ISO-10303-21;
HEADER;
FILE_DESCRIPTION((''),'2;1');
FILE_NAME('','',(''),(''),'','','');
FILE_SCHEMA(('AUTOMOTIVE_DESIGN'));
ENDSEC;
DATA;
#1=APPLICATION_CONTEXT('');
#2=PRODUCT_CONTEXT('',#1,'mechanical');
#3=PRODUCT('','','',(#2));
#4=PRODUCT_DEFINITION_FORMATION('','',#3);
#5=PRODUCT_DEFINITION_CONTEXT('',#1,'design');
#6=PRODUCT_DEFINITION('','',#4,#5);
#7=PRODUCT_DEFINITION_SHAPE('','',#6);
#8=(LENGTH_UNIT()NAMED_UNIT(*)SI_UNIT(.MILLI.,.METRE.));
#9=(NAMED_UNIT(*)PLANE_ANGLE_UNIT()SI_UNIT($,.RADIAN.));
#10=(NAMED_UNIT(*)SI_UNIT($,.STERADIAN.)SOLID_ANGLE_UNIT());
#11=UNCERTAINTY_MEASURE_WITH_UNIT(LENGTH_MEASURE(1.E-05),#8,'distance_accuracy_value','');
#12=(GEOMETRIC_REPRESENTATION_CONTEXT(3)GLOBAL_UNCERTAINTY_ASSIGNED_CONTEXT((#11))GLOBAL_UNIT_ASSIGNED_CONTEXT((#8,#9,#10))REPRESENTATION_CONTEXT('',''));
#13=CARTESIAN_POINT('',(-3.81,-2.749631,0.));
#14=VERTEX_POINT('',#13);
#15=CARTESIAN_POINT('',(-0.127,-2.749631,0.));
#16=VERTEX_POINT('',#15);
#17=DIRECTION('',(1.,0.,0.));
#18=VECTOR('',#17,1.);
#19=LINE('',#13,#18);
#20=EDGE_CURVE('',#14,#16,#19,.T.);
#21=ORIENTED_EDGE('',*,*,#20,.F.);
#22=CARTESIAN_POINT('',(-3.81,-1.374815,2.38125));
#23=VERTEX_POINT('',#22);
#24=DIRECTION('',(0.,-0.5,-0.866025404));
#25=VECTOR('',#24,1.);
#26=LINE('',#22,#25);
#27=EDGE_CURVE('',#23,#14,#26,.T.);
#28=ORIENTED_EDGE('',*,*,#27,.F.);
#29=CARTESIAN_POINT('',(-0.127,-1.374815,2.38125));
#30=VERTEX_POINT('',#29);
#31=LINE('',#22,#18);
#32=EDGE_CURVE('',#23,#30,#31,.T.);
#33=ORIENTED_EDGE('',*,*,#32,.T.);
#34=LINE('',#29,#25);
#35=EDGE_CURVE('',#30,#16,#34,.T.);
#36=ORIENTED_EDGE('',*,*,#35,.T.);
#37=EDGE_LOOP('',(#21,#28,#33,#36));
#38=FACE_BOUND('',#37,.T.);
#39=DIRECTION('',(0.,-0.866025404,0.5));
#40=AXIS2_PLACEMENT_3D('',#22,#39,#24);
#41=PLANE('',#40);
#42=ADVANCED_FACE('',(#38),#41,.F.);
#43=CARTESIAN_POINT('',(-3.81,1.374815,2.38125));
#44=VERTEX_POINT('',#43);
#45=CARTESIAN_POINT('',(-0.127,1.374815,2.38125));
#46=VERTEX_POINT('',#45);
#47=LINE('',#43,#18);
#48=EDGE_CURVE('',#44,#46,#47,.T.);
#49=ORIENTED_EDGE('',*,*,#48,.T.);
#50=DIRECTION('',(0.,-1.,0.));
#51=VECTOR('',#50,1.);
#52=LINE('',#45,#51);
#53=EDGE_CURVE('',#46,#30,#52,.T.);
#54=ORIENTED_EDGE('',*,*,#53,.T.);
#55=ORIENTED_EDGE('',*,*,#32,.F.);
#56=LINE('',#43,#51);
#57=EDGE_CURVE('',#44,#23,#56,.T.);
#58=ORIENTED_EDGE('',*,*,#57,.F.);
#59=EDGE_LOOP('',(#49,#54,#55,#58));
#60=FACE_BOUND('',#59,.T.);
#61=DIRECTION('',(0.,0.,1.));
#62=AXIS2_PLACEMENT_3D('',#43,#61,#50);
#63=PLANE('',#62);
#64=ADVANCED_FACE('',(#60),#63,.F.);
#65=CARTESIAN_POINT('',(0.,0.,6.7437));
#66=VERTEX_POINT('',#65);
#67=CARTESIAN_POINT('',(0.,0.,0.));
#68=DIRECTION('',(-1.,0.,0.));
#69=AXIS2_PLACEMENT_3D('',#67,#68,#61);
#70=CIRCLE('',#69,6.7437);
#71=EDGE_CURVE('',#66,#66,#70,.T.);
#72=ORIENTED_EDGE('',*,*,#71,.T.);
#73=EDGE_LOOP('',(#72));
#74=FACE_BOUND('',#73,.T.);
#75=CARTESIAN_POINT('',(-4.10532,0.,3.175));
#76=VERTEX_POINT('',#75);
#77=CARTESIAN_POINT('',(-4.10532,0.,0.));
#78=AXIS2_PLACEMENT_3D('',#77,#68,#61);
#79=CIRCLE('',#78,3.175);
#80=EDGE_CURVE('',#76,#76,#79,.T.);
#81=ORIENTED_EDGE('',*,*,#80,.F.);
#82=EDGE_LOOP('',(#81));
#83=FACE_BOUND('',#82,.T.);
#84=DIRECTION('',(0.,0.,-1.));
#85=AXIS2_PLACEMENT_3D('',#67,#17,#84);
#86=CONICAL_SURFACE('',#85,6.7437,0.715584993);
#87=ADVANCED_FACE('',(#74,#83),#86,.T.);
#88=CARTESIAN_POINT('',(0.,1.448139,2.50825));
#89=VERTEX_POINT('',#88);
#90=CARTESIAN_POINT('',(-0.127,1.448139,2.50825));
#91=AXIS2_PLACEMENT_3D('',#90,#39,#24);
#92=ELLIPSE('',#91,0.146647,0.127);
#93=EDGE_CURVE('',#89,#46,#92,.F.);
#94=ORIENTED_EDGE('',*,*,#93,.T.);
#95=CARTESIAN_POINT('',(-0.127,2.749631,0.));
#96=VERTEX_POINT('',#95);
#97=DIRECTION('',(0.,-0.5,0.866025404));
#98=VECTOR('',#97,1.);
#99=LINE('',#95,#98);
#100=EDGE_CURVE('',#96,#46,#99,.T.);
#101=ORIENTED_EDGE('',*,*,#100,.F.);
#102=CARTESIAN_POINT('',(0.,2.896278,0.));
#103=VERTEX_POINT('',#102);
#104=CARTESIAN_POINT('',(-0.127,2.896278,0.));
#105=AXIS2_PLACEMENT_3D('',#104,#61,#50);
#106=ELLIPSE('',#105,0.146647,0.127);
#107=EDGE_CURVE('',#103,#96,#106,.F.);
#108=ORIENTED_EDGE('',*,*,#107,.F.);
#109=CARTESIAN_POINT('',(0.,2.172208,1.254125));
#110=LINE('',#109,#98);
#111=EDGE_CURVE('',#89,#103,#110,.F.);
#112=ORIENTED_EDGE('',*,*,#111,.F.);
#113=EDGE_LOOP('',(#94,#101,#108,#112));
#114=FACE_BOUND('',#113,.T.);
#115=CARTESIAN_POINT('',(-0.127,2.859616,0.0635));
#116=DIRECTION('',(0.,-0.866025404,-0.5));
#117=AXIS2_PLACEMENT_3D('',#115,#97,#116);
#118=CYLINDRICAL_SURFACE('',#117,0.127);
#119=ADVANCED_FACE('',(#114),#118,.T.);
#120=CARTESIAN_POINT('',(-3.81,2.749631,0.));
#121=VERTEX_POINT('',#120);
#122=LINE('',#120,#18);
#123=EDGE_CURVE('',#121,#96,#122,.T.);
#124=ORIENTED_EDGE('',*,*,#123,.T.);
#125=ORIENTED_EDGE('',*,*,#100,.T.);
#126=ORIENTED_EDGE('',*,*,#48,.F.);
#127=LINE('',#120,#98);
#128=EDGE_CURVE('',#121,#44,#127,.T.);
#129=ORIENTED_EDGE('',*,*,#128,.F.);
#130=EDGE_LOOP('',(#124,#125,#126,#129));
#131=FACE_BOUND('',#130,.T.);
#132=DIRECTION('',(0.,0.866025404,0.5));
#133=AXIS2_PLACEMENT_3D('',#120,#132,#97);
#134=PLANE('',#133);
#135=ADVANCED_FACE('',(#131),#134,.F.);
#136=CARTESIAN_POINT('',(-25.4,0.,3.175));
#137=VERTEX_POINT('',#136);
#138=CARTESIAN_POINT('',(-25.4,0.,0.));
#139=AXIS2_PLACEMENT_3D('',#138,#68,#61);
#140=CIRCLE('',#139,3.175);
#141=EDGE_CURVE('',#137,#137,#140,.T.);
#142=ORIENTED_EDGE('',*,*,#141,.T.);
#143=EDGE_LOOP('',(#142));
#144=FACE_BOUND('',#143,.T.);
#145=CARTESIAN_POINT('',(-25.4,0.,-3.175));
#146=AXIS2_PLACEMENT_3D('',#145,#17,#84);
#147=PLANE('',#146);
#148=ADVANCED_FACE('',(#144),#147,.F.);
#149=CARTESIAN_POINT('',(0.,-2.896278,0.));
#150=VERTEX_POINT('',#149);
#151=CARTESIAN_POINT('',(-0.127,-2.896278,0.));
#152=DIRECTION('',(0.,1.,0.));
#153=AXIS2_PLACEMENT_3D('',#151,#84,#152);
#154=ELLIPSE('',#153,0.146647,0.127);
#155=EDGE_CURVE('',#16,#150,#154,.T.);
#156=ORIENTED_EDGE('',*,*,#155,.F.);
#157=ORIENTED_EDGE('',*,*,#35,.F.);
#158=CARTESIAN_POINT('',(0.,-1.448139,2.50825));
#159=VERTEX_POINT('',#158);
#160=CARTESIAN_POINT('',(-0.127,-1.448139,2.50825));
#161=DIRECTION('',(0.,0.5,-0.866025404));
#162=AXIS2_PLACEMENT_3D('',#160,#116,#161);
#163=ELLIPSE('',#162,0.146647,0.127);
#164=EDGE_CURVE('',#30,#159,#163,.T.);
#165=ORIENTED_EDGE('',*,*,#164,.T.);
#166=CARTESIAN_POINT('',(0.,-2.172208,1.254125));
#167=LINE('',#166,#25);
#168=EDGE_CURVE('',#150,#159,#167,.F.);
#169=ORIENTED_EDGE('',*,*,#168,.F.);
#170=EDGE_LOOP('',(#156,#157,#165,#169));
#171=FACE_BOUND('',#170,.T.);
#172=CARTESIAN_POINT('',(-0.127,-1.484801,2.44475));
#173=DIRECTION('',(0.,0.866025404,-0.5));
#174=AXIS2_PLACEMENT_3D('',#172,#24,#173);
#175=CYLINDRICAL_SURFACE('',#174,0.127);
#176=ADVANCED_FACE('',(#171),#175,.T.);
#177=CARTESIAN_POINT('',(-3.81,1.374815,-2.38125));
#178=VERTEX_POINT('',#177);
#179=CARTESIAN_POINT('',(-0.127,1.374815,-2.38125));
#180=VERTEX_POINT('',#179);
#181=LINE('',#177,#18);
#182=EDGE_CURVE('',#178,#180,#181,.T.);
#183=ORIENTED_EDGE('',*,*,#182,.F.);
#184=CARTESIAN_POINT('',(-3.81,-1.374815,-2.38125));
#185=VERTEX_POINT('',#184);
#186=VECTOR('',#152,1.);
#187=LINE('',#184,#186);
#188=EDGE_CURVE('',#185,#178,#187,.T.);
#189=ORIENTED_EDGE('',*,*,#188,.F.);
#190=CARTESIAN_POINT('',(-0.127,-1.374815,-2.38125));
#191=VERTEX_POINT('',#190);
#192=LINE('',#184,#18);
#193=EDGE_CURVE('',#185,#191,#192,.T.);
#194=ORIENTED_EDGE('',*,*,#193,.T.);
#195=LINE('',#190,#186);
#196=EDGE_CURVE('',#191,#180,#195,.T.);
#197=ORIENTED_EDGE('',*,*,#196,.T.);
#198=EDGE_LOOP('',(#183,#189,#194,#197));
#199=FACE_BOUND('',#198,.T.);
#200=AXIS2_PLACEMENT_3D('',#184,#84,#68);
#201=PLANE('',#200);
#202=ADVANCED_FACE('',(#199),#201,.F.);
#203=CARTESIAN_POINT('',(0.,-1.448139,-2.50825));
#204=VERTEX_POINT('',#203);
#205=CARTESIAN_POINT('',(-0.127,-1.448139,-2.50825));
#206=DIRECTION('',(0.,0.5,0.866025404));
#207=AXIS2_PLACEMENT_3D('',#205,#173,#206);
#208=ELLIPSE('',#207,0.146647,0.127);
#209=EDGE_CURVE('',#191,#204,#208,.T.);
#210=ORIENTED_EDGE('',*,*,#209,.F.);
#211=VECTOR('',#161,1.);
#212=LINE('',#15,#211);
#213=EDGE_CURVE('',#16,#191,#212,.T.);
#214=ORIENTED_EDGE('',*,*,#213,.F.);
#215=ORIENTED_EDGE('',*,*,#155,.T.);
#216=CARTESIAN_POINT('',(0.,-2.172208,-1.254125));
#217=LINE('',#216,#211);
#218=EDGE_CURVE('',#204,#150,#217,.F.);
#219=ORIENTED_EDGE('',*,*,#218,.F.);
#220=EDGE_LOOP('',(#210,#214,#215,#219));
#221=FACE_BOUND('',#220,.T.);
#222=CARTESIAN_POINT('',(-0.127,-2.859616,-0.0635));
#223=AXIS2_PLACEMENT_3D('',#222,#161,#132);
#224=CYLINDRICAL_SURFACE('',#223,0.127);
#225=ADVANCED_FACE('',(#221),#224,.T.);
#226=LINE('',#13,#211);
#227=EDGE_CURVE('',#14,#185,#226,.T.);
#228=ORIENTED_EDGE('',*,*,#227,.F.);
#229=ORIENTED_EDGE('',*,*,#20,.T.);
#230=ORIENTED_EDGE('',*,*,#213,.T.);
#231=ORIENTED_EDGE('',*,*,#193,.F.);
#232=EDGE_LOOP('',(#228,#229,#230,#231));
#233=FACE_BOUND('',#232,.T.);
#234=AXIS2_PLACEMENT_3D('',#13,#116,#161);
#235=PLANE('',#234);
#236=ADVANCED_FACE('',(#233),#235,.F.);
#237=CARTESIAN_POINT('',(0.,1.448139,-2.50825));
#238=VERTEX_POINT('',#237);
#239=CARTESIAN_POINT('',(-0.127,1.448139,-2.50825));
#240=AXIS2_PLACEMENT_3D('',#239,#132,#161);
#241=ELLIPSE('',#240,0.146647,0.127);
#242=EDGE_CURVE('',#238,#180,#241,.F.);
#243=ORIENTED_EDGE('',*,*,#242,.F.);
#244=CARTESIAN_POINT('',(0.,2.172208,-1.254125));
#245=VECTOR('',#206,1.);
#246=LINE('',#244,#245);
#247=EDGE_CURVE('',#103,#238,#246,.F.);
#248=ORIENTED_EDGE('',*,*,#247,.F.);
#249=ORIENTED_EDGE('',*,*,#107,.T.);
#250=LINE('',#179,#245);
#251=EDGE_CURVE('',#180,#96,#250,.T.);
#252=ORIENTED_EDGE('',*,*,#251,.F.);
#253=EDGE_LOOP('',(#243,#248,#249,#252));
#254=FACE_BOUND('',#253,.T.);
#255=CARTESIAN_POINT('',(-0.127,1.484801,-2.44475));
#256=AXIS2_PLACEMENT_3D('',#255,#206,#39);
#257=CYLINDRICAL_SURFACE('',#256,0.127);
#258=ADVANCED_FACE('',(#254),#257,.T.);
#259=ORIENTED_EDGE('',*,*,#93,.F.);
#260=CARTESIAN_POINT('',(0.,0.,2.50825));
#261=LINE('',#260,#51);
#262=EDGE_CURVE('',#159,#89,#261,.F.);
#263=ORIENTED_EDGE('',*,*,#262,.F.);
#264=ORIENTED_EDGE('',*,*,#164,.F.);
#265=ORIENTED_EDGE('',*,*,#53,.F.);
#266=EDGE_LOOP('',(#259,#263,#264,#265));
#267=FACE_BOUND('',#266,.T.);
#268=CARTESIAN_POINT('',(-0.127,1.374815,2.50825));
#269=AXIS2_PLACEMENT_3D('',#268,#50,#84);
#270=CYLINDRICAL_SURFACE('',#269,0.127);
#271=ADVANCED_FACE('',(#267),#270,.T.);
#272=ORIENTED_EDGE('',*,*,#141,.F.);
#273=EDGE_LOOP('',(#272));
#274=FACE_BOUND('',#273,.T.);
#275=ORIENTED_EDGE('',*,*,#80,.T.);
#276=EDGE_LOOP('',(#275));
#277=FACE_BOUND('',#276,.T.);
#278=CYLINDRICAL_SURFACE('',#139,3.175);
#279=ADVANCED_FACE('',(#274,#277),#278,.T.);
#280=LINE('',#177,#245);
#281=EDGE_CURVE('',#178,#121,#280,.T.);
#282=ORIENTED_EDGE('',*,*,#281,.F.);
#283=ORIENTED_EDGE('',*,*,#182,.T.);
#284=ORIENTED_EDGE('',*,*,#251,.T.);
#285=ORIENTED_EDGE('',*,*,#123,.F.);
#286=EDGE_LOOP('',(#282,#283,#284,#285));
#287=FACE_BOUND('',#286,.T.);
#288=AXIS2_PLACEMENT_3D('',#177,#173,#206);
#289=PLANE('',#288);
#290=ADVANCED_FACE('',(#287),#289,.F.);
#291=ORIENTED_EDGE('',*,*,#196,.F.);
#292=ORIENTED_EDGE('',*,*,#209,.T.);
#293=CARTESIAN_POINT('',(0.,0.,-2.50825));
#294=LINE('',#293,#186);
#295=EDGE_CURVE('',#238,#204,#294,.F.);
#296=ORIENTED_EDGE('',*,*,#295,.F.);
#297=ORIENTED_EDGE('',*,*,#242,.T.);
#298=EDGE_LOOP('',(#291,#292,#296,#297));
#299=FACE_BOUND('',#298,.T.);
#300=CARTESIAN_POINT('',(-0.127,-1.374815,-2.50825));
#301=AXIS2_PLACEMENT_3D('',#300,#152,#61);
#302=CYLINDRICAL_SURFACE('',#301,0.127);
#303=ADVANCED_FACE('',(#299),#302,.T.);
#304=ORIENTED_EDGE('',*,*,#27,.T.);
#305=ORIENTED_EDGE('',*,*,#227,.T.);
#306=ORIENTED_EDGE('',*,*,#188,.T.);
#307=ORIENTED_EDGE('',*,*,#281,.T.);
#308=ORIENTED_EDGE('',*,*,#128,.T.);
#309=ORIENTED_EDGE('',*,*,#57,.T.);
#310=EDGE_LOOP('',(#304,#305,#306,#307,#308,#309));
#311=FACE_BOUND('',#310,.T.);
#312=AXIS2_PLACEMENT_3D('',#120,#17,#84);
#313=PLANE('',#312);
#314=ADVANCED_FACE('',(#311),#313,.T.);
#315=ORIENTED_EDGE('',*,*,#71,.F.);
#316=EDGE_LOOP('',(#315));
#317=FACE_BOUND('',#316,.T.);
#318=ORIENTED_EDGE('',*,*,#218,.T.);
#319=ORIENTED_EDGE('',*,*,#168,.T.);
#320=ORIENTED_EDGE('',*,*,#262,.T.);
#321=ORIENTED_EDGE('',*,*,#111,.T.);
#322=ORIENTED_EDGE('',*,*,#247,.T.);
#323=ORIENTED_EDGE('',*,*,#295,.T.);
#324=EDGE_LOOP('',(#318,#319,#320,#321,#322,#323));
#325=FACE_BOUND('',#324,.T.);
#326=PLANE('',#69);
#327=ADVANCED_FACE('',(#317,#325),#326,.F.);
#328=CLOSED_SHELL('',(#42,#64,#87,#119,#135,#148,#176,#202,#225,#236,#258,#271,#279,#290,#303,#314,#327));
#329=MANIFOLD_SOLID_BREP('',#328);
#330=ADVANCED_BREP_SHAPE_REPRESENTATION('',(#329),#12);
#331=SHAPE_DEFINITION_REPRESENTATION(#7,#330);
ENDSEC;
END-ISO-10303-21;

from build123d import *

# Parameters (mm, degrees)
CUT_EXTRUDE1_DEPTH = 3.81
FILLET1_R          = 0.127


with BuildPart() as part:
    # Sketch1 → Revolve1 (revolve)
    with BuildSketch(Plane(origin=(0, 0, 0), x_dir=(1, 0, 0), z_dir=(0, 1, 0)), mode=Mode.PRIVATE) as revolve1_sk:
        Polygon((0, 0), (0, 6.7437), (-4.105319735, 3.175), (-25.4, 3.175), (-25.4, 0), align=None)
    revolve(revolve1_sk.sketch.rotate(Axis((-25.4, 0, 0), (1, 0, 0)), 180), axis=Axis((-25.4, 0, 0), (1, 0, 0)))

    # Sketch2 → Cut-Extrude1 (cut)
    with BuildSketch(Plane(origin=(0, 0, 0), x_dir=(0, 0, -1), z_dir=(1, 0, 0))):
        Polygon((0, 2.749630657), (-2.38125, 1.374815329), (-2.38125, -1.374815329), (0, -2.749630657), (2.38125, -1.374815329), (2.38125, 1.374815329), align=None)
    extrude(amount=-CUT_EXTRUDE1_DEPTH, mode=Mode.SUBTRACT)

    # Fillet1
    fillet1_edges = [part.edges().sort_by_distance(p)[0] for p in [
        (0, 2.062222993, -1.190625),
        (0, 2.062222993, 1.190625),
        (0, 0, 2.38125),
        (0, -2.062222993, 1.190625),
        (0, -2.062222993, -1.190625),
        (0, 0, -2.38125),
    ]]
    fillet(fillet1_edges, radius=FILLET1_R)


solid = part.part
